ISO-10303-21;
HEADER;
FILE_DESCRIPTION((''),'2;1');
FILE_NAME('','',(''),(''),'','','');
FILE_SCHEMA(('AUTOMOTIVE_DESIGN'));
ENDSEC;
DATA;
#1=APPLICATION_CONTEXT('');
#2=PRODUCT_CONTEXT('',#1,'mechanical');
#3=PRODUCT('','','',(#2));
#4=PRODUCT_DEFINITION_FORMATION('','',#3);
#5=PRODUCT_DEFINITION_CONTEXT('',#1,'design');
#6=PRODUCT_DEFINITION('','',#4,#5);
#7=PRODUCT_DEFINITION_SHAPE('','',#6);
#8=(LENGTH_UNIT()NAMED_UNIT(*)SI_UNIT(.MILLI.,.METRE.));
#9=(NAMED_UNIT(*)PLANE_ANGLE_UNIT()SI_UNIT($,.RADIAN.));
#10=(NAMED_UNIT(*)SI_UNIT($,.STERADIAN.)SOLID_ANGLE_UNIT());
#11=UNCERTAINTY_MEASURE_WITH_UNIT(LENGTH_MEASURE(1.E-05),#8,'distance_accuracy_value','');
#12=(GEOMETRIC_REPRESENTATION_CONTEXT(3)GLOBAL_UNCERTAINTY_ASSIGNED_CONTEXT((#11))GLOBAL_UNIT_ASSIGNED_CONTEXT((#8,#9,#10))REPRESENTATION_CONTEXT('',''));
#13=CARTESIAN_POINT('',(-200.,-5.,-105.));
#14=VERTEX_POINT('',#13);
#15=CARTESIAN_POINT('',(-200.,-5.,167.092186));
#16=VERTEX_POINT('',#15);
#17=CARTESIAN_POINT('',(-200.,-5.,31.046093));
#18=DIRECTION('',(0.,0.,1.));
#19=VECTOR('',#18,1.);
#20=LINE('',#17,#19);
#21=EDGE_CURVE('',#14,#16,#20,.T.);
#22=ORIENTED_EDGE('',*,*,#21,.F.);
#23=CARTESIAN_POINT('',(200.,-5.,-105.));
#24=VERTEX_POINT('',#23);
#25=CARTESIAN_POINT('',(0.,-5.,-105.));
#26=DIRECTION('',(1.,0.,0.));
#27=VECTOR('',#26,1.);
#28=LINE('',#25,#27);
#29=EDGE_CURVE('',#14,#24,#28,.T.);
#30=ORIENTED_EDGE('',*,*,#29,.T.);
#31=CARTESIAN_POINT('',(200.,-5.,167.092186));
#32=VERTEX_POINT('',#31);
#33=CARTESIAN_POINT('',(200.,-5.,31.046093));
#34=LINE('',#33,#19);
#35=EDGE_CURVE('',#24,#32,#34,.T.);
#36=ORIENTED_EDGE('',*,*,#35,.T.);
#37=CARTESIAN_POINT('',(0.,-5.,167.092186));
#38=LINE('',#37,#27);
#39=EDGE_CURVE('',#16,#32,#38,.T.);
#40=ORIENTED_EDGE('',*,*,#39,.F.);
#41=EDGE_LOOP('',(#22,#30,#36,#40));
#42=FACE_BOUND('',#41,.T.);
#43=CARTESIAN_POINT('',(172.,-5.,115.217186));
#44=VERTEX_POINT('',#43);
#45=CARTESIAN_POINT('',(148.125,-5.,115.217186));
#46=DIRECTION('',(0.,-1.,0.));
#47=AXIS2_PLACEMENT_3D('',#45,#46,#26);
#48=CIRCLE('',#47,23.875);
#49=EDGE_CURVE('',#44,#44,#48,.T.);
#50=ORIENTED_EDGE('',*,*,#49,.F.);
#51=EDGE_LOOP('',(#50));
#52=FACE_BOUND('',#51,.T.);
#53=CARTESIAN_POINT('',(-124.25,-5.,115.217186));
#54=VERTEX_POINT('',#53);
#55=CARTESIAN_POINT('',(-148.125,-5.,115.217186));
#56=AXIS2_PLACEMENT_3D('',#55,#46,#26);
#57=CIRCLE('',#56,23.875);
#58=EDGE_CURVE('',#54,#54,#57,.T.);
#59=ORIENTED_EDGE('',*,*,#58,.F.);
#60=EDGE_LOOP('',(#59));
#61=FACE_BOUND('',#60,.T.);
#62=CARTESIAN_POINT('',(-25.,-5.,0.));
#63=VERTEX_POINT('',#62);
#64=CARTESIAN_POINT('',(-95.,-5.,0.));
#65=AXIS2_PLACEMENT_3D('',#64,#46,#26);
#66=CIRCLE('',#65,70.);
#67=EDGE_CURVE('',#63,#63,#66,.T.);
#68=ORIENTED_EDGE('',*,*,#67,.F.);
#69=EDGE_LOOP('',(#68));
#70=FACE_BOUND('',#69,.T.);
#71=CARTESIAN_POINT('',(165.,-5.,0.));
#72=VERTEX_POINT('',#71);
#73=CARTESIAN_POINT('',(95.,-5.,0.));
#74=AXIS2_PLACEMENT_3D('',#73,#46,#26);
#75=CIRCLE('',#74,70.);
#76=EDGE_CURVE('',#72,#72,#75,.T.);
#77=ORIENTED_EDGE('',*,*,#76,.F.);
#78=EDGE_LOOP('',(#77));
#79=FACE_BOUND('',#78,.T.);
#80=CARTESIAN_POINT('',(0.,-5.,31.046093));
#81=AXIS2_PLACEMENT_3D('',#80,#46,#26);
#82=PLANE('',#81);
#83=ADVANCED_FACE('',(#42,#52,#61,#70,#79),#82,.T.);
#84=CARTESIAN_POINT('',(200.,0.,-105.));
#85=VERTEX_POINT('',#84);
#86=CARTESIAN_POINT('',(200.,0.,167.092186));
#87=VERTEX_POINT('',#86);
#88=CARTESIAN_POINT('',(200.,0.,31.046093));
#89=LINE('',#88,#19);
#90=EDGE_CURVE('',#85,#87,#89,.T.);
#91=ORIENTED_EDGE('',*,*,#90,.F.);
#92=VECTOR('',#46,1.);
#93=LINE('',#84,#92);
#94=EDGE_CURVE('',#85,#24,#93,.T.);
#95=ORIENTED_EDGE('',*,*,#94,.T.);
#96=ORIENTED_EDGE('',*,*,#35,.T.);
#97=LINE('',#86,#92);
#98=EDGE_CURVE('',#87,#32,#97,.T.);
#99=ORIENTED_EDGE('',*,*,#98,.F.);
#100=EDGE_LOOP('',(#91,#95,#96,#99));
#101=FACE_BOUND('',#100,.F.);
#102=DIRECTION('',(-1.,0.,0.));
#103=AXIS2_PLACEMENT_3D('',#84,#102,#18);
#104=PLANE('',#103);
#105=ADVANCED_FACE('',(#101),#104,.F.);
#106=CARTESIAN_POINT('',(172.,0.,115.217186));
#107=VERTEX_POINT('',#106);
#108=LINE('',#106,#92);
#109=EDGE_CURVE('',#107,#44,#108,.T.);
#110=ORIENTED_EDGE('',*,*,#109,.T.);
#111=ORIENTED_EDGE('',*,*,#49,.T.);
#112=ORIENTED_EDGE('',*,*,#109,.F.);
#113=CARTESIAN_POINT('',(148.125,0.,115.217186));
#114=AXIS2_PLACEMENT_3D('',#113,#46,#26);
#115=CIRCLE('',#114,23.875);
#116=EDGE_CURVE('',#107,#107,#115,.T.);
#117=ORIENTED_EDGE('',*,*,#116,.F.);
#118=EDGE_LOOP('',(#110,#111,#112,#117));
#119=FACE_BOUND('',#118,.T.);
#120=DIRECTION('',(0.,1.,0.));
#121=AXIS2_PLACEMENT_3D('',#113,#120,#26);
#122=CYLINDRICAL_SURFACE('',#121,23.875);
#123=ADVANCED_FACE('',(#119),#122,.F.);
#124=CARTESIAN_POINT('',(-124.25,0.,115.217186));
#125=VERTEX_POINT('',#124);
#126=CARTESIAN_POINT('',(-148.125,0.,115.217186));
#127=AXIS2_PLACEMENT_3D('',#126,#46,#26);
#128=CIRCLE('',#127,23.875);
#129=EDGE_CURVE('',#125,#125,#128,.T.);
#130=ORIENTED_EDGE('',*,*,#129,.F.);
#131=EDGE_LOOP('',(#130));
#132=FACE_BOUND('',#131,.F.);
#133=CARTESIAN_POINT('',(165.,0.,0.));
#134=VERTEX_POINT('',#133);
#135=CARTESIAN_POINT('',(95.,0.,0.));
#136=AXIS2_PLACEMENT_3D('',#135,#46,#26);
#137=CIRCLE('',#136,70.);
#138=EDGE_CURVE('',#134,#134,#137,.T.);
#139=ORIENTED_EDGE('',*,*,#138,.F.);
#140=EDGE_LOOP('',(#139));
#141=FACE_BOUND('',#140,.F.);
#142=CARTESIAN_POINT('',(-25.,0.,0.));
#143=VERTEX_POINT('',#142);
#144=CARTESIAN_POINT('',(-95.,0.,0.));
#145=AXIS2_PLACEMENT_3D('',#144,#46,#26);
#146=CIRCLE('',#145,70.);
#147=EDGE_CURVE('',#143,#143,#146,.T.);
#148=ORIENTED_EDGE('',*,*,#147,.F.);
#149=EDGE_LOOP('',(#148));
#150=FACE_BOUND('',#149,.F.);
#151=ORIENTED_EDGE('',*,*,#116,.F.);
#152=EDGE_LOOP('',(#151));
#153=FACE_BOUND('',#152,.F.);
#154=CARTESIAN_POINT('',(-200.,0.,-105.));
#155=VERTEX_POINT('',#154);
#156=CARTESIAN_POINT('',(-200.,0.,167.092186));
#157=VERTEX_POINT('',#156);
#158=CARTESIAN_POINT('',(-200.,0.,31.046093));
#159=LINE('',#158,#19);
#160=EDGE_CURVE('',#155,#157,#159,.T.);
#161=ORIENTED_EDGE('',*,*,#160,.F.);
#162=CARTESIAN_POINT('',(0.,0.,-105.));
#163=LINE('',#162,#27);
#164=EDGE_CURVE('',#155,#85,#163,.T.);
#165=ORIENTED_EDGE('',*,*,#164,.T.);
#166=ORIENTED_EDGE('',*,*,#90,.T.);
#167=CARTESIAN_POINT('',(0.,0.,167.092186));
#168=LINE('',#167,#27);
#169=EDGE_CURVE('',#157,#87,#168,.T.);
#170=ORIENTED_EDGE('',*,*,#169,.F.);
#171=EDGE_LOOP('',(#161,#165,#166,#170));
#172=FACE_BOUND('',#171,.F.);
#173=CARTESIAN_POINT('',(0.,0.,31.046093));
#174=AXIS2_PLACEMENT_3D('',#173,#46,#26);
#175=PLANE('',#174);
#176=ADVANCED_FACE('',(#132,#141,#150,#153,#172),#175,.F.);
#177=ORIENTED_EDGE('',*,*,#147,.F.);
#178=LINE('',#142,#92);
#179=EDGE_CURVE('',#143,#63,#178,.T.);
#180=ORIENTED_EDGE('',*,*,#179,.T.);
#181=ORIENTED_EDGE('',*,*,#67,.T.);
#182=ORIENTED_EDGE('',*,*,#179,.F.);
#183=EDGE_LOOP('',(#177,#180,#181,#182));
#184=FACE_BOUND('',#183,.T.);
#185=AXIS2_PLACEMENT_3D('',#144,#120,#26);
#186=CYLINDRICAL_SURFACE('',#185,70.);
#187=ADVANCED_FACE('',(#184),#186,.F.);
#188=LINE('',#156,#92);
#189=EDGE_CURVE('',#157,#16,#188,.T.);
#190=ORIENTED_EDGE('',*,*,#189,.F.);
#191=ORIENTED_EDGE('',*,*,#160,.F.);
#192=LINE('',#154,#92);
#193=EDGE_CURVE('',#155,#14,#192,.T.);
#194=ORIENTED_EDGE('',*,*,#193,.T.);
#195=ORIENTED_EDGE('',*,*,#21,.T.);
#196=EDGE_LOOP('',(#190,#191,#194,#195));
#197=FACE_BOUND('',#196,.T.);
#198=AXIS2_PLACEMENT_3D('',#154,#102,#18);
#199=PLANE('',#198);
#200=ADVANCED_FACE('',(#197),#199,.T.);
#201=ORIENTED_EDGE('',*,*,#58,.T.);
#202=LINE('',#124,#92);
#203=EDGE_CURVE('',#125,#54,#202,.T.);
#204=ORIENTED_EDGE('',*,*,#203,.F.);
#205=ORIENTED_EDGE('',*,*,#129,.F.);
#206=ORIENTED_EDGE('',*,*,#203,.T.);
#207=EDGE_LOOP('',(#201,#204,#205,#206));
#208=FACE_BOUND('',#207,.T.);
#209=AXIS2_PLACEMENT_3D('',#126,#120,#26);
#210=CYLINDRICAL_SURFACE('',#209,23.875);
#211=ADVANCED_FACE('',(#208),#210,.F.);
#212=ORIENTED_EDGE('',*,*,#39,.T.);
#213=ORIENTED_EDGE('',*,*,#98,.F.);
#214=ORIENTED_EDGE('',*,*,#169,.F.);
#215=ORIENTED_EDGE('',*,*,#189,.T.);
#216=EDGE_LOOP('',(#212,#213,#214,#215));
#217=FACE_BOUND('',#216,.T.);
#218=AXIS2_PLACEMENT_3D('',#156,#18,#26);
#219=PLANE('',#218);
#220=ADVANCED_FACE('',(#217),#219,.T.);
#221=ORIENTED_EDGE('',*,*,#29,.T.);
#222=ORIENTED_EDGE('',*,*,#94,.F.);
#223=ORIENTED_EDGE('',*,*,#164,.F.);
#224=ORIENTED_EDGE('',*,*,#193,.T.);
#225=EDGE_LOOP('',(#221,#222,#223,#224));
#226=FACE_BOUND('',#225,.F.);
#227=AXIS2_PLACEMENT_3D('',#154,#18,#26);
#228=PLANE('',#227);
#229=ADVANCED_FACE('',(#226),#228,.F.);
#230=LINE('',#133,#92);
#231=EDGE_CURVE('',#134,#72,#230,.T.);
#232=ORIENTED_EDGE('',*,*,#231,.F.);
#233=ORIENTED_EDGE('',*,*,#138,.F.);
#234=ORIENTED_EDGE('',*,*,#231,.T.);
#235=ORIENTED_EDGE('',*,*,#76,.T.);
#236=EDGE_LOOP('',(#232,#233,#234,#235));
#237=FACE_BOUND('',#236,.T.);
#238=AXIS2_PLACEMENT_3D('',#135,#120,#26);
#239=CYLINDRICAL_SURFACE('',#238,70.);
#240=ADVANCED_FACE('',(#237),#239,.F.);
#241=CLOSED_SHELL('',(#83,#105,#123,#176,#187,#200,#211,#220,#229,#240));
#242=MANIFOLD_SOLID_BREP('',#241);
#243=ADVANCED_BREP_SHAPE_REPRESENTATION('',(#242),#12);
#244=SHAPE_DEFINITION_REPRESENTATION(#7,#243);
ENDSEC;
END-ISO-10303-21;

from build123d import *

# Parameters (mm, degrees)
SKETCH_W   = 400
SKETCH_H   = 272.092186
SKETCH_R   = 70
SKETCH_R_2 = 23.875
PAD_DEPTH  = 5


with BuildPart() as part:
    # Sketch → Pad (new body)
    with BuildSketch(Plane.XZ):
        with Locations((0, 31.046093)):
            Rectangle(SKETCH_W, SKETCH_H)
        with Locations((-95, 0)):
            Circle(SKETCH_R, mode=Mode.SUBTRACT)
        with Locations((95, 0)):
            Circle(SKETCH_R, mode=Mode.SUBTRACT)
        with Locations((-148.125, 115.217186)):
            Circle(SKETCH_R_2, mode=Mode.SUBTRACT)
        with Locations((148.125, 115.217186)):
            Circle(SKETCH_R_2, mode=Mode.SUBTRACT)
    extrude(amount=PAD_DEPTH)


solid = part.part
